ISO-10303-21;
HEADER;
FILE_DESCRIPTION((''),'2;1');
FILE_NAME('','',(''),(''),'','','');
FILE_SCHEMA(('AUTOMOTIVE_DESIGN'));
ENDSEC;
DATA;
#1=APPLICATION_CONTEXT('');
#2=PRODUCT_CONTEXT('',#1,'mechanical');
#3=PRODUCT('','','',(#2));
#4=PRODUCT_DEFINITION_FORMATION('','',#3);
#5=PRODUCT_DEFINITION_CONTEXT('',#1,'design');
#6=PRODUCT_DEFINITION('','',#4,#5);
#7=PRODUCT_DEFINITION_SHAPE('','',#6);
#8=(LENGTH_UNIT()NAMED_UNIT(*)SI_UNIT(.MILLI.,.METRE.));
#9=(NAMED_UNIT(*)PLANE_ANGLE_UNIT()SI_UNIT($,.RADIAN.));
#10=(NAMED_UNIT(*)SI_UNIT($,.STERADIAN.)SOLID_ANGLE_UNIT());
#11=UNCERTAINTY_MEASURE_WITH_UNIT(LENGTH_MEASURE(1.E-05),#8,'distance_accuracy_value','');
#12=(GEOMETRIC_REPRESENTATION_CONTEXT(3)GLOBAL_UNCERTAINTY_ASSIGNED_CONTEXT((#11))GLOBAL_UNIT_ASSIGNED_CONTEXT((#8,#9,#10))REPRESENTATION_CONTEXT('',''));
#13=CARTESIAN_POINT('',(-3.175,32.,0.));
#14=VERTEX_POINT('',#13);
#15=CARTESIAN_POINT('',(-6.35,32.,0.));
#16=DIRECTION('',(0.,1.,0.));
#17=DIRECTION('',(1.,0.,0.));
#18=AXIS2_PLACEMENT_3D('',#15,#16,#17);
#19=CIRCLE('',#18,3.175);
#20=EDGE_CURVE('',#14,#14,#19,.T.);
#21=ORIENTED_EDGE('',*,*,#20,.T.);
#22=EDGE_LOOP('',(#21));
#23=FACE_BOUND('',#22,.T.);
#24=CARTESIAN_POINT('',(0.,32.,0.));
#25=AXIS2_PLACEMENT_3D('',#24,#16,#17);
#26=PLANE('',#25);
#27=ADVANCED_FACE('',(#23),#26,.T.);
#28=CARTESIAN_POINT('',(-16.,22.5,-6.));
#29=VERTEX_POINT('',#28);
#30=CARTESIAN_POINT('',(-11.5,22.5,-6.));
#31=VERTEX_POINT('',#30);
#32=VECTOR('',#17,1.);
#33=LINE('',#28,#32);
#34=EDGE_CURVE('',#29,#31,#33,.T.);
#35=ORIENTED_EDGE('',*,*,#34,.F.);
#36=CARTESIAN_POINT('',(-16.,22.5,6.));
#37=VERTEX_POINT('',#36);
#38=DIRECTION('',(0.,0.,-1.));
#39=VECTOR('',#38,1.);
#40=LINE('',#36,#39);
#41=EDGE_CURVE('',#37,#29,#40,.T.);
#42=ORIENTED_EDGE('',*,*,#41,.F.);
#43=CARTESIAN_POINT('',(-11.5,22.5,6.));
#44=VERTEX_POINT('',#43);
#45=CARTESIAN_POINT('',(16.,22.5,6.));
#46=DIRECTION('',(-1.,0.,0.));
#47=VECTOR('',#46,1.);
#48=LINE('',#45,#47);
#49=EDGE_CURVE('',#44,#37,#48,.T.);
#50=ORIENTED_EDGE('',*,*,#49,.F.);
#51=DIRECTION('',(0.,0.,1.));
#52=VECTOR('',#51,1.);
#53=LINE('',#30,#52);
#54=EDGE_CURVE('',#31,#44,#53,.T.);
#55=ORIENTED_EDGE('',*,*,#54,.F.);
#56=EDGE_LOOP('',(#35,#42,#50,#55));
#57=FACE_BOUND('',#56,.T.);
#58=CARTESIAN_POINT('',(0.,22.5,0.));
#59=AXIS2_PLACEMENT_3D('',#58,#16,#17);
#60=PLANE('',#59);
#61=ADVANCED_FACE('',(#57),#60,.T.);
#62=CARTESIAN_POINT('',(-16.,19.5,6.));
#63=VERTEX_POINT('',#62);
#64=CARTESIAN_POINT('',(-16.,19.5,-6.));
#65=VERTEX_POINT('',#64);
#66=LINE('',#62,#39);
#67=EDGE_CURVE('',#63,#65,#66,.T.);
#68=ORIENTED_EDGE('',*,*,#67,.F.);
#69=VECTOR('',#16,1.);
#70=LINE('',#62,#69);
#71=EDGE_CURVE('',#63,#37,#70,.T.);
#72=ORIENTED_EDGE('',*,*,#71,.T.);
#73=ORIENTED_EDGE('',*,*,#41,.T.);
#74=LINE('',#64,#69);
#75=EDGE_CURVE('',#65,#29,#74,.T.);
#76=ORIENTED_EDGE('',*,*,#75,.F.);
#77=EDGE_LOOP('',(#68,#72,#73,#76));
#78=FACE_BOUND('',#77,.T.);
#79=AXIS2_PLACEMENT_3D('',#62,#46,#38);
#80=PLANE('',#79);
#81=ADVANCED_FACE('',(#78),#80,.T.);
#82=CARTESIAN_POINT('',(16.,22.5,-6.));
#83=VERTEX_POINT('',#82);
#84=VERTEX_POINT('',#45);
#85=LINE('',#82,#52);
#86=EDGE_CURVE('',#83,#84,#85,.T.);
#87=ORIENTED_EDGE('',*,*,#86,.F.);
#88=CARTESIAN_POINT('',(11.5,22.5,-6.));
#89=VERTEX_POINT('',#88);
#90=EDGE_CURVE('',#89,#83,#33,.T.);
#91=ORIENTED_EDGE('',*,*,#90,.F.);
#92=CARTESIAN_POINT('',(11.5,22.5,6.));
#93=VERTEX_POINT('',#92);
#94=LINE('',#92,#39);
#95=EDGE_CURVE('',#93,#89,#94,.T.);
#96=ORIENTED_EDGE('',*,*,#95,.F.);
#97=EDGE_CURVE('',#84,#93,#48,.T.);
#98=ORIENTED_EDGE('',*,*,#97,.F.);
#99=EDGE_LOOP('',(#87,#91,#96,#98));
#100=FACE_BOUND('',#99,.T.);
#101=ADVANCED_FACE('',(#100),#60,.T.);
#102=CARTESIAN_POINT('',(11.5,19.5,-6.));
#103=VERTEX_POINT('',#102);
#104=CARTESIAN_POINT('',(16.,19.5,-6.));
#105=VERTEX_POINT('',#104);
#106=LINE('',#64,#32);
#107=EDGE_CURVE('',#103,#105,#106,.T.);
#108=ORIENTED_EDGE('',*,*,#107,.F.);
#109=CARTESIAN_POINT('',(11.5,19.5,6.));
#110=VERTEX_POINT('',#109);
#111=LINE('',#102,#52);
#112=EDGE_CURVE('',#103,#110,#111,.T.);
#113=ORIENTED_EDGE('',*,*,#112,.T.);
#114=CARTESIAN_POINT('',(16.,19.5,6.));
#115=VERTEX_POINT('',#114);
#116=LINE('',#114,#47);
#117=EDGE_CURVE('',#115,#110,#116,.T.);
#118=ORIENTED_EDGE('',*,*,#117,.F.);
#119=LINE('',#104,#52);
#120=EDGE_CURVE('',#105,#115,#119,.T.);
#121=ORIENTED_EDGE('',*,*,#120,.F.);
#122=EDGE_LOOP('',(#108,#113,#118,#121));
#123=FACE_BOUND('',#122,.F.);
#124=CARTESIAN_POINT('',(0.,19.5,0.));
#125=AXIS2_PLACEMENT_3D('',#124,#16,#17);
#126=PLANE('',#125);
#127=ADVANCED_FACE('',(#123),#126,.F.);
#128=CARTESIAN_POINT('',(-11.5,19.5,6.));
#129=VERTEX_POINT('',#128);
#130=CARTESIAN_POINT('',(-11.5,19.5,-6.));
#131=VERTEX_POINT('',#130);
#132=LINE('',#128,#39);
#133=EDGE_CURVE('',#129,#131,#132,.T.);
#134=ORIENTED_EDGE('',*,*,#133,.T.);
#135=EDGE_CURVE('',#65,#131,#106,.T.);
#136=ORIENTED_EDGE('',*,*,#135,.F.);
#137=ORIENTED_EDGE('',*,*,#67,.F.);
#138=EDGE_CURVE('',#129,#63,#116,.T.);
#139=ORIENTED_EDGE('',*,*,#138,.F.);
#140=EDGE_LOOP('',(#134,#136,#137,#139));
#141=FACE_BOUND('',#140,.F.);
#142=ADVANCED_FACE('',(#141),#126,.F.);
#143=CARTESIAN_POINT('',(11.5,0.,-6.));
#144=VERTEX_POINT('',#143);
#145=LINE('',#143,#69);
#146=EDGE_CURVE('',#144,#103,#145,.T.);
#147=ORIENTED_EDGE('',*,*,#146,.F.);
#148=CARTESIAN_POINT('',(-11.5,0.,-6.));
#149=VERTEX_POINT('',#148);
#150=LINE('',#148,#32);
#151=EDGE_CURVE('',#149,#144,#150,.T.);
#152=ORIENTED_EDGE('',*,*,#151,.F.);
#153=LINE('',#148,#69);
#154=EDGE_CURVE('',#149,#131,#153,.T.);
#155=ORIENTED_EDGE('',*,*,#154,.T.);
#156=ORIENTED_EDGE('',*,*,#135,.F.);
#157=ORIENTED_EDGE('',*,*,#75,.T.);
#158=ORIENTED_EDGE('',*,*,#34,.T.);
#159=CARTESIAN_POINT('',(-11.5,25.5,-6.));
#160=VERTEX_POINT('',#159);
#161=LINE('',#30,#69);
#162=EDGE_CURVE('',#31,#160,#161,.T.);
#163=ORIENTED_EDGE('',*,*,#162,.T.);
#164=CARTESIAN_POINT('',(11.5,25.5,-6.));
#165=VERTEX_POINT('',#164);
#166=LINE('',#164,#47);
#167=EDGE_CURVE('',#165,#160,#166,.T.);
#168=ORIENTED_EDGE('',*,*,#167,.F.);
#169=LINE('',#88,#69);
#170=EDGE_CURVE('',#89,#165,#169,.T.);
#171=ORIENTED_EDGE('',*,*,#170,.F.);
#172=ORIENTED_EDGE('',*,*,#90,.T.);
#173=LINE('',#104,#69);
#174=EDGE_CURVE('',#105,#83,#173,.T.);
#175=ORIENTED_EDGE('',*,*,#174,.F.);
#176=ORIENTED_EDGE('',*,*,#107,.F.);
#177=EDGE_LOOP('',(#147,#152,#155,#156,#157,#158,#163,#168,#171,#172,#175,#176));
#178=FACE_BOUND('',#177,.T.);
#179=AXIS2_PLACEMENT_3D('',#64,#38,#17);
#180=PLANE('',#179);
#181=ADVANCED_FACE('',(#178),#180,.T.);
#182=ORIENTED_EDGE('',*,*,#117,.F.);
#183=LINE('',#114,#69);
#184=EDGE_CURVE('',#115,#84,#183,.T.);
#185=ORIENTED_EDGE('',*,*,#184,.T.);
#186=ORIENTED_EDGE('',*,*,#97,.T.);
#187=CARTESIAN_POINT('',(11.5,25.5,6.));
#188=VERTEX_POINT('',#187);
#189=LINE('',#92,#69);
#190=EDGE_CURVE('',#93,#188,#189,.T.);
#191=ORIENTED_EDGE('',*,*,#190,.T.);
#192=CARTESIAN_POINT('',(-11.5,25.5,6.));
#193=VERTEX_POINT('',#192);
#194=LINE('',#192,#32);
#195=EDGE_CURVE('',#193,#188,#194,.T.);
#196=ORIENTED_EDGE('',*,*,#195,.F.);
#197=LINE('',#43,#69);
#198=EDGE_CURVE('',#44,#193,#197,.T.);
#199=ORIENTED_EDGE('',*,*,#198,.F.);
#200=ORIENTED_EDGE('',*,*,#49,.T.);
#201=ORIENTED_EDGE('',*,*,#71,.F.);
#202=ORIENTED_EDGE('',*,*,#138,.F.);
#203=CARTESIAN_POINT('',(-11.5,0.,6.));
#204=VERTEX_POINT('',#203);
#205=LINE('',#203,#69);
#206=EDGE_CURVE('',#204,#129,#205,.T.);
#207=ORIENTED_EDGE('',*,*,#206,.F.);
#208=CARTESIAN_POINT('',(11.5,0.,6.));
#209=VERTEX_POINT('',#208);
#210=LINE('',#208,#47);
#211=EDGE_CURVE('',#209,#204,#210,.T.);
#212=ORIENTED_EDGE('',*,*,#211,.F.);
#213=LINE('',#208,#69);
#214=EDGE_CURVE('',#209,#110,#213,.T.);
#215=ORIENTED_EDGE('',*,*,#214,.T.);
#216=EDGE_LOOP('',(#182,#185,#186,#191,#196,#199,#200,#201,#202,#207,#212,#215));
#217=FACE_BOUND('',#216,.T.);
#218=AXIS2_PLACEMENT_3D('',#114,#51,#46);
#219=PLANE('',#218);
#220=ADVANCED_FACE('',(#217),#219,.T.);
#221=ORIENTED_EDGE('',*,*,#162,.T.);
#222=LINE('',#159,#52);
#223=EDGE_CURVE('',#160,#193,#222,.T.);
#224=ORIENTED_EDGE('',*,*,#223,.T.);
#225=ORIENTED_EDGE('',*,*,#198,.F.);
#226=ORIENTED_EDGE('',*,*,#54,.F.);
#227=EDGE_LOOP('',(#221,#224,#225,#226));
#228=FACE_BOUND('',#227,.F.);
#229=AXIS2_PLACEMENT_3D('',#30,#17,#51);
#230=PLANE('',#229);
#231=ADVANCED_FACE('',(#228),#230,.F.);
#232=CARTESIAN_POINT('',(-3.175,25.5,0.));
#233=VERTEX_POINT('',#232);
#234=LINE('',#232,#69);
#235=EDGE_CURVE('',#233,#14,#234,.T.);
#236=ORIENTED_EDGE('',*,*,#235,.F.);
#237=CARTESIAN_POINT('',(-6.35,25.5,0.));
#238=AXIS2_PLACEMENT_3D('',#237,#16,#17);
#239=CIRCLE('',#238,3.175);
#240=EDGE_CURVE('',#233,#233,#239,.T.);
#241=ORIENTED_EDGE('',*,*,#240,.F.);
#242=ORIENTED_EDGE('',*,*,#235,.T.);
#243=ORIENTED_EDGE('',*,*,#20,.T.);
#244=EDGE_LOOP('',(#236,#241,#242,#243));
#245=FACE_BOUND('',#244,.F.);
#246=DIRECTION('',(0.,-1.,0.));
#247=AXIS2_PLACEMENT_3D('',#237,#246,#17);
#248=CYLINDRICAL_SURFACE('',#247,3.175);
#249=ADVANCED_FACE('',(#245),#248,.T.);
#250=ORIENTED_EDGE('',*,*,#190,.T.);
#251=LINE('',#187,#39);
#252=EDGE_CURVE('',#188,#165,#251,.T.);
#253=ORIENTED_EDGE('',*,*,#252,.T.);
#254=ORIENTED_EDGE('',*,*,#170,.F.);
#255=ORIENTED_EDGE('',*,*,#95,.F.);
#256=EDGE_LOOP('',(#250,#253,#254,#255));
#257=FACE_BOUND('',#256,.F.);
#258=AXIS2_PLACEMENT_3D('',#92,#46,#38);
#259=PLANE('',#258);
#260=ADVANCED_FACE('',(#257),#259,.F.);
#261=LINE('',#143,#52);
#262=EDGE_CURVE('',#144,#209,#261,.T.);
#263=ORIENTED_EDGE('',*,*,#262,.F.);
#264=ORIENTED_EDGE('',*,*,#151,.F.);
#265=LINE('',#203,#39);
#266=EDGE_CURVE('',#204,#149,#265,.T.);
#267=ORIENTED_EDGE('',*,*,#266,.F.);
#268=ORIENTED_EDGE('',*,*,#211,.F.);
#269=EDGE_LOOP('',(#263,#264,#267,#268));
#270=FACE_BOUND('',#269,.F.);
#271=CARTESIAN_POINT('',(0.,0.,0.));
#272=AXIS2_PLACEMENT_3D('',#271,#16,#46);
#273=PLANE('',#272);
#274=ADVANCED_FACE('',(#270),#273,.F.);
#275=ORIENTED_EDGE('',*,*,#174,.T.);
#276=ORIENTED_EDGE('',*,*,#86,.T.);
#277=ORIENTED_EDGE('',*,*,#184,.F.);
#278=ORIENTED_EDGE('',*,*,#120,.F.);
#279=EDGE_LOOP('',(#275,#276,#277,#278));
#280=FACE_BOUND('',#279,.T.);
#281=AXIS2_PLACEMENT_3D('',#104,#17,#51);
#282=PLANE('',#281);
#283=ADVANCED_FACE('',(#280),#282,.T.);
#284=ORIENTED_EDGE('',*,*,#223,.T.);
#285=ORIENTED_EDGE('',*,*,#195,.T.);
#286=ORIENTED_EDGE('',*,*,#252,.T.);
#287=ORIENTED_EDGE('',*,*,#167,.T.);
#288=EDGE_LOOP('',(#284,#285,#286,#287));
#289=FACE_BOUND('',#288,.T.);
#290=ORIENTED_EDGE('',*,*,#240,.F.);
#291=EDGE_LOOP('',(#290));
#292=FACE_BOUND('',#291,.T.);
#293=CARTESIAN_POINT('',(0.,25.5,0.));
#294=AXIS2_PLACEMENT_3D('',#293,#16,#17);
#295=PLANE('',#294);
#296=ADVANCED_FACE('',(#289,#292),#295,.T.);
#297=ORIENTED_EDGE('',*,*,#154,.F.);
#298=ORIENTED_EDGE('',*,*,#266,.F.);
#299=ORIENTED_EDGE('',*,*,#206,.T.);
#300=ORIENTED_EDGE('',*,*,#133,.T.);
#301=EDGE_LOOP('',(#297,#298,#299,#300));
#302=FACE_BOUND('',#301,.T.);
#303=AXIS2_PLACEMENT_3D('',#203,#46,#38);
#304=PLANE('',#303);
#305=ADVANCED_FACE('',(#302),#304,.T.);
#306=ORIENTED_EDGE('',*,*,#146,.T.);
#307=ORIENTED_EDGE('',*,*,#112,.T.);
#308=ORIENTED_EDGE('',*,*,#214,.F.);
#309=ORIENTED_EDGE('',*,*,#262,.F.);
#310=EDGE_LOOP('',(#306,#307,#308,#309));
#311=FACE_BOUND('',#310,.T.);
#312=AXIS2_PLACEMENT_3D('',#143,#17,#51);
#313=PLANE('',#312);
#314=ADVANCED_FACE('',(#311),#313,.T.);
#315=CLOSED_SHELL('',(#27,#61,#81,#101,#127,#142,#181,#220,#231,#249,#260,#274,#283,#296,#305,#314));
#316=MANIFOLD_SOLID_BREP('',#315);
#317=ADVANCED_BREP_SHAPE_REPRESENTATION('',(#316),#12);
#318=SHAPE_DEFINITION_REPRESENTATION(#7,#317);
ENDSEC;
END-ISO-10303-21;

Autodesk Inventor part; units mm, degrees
ref_plane "YZ Plane" through (0, 0, 0) normal (1, 0, 0) x (0, 1, 0)
ref_plane "XZ Plane" through (0, 0, 0) normal (0, 1, 0) x (-1, 0, 0)
ref_plane "XY Plane" through (0, 0, 0) normal (0, 0, 1) x (1, 0, 0)
sketch "Sketch1" plane through (0, 0, 0) normal (0, 1, 0) x (-1, 0, 0)
  line L0 (11.5, -6) -> (-11.5, -6)
  line L1 (-11.5, -6) -> (-11.5, 6)
  line L2 (-11.5, 6) -> (11.5, 6)
  line L3 (11.5, 6) -> (11.5, -6)
  line L4 (11.5, -6) -> (-11.5, 6) construction
  line L5 (-11.5, -6) -> (11.5, 6) construction
  point P0 (0, 0)
  dimension "d0" = 23
  dimension "d1" = 12
extrude "Extrusion1" add sketch "Sketch1" along normal blind 19.5
sketch "Sketch2" plane through (0, 19.5, 0) normal (0, 1, 0) x (1, 0, 0)
  line L0 (16, -6) -> (-16, -6)
  line L1 (-16, -6) -> (-16, 6)
  line L2 (-16, 6) -> (16, 6)
  line L3 (16, 6) -> (16, -6)
  line L4 (16, -6) -> (-16, 6) construction
  line L5 (-16, -6) -> (16, 6) construction
  point P0 (0, 0)
  dimension "d4" = 32
  dimension "d5" = 12
extrude "Extrusion2" add sketch "Sketch2" along normal blind 3
sketch "Sketch3" plane through (0, 22.5, 0) normal (0, 1, 0) x (1, 0, 0)
  line L0 (11.5, 6) -> (16, 6) projected
  line L1 (-11.5, -6) -> (11.5, -6)
  line L2 (11.5, -6) -> (11.5, 6)
  line L3 (11.5, 6) -> (-11.5, 6)
  line L4 (-11.5, 6) -> (-11.5, -6)
  line L5 (-11.5, -6) -> (11.5, 6) construction
  line L6 (11.5, -6) -> (-11.5, 6) construction
  point P0 (0, 0)
extrude "Extrusion3" add sketch "Sketch3" along normal blind 3
sketch "Sketch4" plane through (0, 25.5, 0) normal (0, 1, 0) x (1, 0, 0)
  circle A0 centre (-6.35, 0) radius 3.175
  point P0 (0, 0)
  dimension "d10" = 6.35
extrude "Extrusion4" add sketch "Sketch4" along normal blind 6.5
properties part number "sg90_servo"
